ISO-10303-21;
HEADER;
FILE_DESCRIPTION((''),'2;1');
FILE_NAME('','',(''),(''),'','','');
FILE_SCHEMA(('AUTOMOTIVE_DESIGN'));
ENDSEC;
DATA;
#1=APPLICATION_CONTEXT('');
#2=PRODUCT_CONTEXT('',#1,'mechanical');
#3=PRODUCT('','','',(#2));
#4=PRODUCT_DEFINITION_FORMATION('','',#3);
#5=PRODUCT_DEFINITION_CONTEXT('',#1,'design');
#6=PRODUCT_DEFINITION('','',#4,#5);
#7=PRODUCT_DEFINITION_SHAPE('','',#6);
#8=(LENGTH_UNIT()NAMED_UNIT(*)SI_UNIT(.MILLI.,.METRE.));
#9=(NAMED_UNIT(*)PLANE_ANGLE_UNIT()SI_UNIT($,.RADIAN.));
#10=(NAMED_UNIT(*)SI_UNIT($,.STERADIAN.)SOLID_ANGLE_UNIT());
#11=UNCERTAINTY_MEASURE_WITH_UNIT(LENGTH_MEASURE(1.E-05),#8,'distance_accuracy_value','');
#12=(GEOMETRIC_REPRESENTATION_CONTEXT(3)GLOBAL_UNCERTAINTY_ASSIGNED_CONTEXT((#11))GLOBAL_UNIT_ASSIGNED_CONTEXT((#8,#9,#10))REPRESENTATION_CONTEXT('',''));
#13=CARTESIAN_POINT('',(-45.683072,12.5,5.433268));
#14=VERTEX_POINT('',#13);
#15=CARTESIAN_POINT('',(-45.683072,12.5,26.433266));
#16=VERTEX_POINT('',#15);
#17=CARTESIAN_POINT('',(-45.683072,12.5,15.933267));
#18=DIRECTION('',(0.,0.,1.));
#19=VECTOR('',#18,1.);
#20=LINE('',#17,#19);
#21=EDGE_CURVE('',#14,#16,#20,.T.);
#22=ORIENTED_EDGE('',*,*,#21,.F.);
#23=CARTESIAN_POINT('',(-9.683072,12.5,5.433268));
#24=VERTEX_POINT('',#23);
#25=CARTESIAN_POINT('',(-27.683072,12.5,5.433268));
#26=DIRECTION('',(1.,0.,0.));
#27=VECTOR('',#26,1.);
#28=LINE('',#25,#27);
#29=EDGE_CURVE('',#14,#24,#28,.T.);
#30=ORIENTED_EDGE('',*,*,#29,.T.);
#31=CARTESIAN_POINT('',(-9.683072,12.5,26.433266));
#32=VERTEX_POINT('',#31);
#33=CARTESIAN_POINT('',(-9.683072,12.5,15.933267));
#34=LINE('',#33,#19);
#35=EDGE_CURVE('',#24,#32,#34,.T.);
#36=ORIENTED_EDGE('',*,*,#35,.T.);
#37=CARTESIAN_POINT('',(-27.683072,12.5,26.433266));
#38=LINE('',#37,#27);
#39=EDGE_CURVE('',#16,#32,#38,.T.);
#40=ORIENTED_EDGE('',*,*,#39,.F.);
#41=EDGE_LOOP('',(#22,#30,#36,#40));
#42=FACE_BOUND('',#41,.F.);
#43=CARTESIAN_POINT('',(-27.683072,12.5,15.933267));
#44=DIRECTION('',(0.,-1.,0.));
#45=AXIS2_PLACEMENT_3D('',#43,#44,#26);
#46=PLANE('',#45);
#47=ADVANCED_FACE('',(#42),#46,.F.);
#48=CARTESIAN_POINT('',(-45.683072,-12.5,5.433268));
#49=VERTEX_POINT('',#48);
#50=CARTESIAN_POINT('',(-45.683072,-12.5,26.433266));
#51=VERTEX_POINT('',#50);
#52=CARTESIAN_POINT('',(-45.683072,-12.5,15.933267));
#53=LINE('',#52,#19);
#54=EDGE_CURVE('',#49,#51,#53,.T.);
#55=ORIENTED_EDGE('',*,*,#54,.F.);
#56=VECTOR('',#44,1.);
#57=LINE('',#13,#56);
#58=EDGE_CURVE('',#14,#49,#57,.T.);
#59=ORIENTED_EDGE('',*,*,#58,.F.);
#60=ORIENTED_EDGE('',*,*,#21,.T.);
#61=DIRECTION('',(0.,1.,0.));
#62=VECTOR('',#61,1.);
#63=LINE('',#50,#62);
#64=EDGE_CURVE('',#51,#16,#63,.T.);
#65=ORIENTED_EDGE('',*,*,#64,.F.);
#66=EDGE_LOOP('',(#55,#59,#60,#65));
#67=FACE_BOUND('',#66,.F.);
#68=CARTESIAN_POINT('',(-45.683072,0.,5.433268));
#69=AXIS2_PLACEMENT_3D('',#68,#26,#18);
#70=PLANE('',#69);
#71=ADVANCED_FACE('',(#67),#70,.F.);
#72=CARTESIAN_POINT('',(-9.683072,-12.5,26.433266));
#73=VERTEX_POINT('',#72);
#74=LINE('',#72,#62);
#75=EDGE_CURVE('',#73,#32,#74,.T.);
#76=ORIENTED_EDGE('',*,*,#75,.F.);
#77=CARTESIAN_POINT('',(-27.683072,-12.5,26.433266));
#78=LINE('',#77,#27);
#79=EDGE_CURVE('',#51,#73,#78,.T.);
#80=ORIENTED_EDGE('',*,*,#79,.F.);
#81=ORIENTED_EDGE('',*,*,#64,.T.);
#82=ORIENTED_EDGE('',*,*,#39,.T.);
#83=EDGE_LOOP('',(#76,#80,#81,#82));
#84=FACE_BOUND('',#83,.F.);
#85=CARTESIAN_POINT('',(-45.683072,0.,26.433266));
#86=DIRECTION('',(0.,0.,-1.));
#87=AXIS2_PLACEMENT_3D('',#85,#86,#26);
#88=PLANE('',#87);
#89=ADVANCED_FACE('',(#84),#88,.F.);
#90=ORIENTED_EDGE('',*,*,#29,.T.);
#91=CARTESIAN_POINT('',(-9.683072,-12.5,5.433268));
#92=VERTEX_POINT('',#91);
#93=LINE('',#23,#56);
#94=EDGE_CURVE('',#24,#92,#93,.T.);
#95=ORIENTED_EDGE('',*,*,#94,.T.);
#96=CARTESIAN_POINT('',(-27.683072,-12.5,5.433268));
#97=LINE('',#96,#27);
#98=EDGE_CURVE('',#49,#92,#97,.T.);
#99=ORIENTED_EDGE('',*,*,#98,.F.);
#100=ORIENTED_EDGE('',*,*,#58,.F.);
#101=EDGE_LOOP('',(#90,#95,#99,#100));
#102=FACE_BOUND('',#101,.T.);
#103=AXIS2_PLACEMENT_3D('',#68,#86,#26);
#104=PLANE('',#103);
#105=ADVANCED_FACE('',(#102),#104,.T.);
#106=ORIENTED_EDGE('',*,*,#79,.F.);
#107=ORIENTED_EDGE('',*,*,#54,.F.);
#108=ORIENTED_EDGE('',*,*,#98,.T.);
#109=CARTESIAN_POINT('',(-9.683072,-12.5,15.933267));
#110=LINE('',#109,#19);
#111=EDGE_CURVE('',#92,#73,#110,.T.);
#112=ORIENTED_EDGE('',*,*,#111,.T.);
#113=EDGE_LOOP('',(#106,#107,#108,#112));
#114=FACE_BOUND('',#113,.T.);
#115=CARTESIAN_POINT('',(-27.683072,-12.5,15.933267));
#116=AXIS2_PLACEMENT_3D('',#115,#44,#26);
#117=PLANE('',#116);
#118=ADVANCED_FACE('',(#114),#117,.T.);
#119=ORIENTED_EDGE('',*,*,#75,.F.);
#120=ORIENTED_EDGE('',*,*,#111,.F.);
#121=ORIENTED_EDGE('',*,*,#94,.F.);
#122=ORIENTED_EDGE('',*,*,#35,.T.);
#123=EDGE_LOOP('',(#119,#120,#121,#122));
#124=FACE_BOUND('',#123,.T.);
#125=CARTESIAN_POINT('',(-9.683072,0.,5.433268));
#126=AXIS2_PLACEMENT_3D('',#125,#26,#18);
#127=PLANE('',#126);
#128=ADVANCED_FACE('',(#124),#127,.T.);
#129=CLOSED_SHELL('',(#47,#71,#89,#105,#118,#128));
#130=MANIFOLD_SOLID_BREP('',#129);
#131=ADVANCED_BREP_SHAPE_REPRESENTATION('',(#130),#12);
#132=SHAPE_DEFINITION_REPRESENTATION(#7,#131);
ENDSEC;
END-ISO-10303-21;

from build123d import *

# Parameters (mm, degrees)
F0_W     = 36
F0_H     = 20.999999
F1_DEPTH = 12.5


with BuildPart() as f1:
    # F0 (on Front) → F1 (new body, symmetric)
    with BuildSketch(Plane.XZ):
        with Locations((-27.683072, 15.933267)):
            Rectangle(F0_W, F0_H)
    extrude(amount=F1_DEPTH, both=True)


solid = f1.part
